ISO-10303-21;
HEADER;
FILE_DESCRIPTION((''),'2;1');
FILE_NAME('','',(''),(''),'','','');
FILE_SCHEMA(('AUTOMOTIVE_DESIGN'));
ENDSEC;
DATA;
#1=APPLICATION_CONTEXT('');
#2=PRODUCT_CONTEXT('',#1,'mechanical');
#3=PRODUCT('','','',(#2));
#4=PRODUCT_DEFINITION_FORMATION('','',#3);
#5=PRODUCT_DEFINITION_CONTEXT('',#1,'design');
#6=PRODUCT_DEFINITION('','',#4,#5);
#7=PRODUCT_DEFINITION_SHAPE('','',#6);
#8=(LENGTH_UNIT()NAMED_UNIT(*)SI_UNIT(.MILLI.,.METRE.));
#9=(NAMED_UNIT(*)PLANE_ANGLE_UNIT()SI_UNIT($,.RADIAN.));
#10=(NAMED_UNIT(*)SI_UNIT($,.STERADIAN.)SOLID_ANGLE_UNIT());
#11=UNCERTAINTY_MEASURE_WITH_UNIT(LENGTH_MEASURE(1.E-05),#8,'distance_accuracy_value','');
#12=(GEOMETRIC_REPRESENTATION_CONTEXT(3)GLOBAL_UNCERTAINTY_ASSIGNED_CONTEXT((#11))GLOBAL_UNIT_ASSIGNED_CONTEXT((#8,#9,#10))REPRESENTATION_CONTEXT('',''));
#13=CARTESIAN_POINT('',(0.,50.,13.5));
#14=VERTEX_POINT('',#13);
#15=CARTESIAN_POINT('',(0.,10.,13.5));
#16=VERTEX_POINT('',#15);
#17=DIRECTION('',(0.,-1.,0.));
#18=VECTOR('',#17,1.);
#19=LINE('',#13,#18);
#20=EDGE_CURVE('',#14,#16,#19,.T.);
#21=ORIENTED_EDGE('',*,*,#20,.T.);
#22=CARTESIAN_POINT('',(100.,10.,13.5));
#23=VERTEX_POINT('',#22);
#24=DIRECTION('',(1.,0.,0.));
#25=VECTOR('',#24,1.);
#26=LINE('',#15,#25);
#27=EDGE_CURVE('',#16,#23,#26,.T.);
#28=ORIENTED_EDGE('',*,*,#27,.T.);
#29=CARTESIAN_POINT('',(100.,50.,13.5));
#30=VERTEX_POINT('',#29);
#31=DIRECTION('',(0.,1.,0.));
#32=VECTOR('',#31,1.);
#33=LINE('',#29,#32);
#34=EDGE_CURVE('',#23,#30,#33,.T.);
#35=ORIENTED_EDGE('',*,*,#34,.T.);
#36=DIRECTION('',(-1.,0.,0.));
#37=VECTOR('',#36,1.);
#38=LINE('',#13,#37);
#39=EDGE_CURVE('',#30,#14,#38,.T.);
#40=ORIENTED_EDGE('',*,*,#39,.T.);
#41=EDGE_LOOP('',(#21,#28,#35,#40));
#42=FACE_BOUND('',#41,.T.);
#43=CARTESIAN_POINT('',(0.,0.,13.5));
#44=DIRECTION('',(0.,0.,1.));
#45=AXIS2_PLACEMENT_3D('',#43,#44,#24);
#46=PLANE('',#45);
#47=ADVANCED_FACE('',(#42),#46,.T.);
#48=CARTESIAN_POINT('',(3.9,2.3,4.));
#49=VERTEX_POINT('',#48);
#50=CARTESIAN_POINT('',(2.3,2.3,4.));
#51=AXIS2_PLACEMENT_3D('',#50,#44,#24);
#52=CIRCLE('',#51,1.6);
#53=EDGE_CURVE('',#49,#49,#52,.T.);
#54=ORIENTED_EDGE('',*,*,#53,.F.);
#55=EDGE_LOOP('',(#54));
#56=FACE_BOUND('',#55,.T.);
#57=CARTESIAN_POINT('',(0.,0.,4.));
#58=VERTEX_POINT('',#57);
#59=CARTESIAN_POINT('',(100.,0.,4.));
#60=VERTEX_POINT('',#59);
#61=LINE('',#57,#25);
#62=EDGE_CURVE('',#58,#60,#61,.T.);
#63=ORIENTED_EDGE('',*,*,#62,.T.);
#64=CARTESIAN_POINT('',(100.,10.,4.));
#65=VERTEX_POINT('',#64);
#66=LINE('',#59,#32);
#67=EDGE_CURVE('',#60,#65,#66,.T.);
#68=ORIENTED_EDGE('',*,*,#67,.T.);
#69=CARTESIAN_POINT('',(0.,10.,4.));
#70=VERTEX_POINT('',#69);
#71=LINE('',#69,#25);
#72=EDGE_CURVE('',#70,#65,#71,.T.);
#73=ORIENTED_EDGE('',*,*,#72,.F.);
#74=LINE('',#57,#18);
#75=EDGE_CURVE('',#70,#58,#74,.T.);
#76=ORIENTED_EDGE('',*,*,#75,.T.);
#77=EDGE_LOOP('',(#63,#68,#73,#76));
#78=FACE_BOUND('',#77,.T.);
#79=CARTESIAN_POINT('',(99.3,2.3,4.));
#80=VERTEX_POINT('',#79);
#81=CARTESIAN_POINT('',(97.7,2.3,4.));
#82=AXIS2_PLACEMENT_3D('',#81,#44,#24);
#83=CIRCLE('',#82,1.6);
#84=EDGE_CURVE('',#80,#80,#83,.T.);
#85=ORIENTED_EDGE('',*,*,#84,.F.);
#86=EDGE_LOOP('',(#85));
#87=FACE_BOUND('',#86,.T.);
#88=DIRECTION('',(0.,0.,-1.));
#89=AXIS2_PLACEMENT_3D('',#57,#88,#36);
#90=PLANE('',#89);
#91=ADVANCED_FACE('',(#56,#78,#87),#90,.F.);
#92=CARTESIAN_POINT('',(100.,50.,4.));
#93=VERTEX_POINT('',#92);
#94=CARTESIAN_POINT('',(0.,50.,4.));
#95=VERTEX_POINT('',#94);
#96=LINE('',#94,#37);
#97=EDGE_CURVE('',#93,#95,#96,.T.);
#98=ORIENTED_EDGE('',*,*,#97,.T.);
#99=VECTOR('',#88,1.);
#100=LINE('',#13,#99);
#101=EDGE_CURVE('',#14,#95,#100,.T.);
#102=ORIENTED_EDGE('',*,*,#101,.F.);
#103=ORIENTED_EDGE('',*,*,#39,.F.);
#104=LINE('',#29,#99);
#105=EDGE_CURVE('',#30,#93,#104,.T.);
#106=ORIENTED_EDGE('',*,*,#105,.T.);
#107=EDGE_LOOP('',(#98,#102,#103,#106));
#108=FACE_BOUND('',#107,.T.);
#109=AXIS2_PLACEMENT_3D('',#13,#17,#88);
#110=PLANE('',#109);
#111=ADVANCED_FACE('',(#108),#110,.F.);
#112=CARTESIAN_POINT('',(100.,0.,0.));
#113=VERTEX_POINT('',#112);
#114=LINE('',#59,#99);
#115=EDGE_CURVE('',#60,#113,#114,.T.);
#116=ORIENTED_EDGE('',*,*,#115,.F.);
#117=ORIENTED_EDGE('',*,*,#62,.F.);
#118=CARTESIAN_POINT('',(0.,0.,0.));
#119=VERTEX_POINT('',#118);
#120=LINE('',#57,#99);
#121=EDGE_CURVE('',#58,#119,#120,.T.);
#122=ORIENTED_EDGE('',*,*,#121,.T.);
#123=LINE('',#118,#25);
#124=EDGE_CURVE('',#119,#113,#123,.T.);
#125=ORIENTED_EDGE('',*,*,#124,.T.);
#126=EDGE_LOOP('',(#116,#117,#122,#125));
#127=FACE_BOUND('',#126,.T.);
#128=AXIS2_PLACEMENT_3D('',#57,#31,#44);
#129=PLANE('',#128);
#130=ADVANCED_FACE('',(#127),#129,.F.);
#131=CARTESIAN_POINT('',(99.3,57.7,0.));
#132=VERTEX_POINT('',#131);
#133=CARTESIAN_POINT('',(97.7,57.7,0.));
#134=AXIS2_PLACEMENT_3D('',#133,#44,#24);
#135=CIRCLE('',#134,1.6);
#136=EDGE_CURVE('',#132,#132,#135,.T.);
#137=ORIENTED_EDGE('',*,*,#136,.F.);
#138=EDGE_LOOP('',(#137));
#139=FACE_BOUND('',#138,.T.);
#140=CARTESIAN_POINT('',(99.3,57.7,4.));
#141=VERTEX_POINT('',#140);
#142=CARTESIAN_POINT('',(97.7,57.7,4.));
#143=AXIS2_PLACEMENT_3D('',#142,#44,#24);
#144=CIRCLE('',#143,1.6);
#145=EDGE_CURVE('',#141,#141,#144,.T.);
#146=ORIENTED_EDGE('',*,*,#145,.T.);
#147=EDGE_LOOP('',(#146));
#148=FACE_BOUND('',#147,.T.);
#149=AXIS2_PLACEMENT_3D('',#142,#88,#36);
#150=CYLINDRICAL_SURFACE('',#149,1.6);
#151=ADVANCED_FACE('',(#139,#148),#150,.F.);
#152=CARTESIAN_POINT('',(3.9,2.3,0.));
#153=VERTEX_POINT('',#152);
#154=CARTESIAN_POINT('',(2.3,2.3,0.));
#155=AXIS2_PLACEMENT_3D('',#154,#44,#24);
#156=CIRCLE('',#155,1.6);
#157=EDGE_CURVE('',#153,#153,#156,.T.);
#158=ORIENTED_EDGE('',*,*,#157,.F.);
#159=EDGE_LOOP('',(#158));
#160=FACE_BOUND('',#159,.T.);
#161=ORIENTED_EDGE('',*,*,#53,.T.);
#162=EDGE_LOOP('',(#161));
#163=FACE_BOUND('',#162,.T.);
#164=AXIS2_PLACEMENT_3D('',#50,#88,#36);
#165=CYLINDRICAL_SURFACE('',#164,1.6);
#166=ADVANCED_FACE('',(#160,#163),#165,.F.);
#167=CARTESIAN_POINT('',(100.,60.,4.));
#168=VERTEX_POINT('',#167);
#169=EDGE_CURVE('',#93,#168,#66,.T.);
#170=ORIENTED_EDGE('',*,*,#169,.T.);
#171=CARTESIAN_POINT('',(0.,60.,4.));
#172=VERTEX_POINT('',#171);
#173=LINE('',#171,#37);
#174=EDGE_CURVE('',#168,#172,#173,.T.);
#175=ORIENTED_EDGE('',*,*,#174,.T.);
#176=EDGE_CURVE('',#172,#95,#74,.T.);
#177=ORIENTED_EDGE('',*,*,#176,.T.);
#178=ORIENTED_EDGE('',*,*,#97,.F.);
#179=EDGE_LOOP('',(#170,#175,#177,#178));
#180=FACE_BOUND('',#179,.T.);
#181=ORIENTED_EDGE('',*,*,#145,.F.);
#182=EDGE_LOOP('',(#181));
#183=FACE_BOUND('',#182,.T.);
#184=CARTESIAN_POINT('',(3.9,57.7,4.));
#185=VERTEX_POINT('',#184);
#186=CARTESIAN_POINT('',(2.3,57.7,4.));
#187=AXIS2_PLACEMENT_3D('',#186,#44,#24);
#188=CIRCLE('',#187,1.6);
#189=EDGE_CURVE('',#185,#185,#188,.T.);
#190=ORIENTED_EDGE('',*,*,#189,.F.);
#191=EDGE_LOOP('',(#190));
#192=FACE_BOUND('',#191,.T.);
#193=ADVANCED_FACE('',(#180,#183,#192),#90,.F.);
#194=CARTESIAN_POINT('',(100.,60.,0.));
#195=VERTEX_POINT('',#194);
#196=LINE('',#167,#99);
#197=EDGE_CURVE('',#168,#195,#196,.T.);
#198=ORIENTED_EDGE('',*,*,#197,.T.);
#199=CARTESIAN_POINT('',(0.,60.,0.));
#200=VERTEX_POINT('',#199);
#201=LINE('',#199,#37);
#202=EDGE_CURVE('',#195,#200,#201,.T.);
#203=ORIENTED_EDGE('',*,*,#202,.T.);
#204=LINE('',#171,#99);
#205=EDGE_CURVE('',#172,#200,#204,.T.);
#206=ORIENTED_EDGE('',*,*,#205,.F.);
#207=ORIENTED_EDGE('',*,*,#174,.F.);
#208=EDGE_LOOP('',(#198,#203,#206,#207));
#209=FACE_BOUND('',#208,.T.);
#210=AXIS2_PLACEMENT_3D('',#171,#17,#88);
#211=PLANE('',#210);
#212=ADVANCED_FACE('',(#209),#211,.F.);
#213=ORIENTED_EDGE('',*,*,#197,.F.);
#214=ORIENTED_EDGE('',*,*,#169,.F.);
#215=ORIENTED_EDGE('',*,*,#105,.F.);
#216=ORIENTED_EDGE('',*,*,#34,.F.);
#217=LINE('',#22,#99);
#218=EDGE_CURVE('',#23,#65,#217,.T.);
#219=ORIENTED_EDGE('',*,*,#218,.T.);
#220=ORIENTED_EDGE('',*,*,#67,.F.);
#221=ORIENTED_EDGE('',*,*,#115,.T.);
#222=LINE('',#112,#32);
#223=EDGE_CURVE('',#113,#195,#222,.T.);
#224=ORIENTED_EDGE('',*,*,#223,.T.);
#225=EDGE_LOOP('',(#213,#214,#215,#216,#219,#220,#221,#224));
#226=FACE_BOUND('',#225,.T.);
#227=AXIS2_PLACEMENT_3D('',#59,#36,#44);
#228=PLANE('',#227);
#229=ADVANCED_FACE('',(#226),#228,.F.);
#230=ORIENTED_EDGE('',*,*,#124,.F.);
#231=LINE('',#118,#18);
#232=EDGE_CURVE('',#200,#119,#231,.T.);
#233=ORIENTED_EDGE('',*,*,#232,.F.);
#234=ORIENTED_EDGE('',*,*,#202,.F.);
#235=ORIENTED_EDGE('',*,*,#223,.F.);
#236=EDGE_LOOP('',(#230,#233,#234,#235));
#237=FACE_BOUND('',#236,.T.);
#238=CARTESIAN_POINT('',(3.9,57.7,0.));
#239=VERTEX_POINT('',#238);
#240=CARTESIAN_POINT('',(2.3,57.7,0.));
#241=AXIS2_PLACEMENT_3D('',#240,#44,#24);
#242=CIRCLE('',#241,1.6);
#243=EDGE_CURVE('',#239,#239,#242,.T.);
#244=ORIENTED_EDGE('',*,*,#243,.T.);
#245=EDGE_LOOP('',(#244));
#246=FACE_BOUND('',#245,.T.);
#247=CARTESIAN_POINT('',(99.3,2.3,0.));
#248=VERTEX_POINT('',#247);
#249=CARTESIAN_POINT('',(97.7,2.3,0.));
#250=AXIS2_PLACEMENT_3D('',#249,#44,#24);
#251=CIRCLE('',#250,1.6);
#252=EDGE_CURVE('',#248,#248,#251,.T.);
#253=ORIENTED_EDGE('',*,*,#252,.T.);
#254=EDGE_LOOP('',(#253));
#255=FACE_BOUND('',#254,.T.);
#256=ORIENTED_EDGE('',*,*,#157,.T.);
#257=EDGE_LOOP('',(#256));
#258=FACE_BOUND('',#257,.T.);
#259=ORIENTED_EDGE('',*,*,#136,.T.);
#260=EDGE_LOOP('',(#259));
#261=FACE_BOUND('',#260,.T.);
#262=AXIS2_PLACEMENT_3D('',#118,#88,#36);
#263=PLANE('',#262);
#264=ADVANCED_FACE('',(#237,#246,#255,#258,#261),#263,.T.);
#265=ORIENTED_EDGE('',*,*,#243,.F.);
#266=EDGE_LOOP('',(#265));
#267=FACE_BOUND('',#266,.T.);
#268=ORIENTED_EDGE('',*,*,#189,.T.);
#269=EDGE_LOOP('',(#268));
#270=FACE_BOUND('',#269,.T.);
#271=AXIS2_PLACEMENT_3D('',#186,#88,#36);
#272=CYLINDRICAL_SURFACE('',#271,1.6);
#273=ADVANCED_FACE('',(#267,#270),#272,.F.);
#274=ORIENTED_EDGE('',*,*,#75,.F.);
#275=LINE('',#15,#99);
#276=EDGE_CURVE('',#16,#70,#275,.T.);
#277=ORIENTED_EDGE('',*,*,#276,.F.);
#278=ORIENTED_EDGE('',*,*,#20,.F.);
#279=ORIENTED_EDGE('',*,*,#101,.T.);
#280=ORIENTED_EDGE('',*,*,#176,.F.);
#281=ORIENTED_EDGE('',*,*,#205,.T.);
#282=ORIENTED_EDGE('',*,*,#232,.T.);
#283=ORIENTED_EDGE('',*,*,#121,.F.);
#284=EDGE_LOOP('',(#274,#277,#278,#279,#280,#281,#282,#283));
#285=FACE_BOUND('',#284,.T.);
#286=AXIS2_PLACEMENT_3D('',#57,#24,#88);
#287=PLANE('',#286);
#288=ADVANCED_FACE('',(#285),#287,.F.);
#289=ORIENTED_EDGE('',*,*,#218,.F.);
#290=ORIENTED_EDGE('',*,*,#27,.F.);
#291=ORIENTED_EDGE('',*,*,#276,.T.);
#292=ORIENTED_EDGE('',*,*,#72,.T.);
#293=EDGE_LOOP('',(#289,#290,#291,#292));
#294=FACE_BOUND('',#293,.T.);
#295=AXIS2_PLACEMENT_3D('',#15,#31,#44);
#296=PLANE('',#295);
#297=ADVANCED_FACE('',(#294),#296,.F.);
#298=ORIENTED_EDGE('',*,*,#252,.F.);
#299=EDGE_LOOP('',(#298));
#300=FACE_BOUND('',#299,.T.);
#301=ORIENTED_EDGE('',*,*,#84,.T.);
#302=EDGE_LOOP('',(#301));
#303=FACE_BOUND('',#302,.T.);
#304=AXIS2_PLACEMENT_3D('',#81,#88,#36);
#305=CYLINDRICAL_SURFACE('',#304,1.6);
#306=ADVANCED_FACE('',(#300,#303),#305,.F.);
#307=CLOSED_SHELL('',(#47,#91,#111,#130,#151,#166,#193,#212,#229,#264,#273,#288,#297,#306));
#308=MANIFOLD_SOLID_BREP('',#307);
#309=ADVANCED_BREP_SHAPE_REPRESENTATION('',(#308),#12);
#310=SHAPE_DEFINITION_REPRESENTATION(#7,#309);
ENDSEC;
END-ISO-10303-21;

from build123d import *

# Parameters (mm, degrees)
ESQUISSE1_W        = 100
ESQUISSE1_H        = 60
ESQUISSE1_R        = 1.6
BOSS_EXTRU_1_DEPTH = 4
ESQUISSE2_W        = 100
ESQUISSE2_H        = 40
BOSS_EXTRU_2_DEPTH = 9.5


with BuildPart() as part:
    # Esquisse1 → Boss.-Extru.1 (new body)
    with BuildSketch(Plane.XY):
        with Locations((50, 30)):
            Rectangle(ESQUISSE1_W, ESQUISSE1_H)
        with Locations((2.3, 57.7)):
            Circle(ESQUISSE1_R, mode=Mode.SUBTRACT)
        with Locations((97.7, 57.7)):
            Circle(ESQUISSE1_R, mode=Mode.SUBTRACT)
        with Locations((97.7, 2.3)):
            Circle(ESQUISSE1_R, mode=Mode.SUBTRACT)
        with Locations((2.3, 2.3)):
            Circle(ESQUISSE1_R, mode=Mode.SUBTRACT)
    extrude(amount=BOSS_EXTRU_1_DEPTH)

    # Esquisse2 → Boss.-Extru.2 (add)
    with BuildSketch(Plane.XY.offset(4)):
        with Locations((50, 30)):
            Rectangle(ESQUISSE2_W, ESQUISSE2_H)
    extrude(amount=BOSS_EXTRU_2_DEPTH)


solid = part.part
